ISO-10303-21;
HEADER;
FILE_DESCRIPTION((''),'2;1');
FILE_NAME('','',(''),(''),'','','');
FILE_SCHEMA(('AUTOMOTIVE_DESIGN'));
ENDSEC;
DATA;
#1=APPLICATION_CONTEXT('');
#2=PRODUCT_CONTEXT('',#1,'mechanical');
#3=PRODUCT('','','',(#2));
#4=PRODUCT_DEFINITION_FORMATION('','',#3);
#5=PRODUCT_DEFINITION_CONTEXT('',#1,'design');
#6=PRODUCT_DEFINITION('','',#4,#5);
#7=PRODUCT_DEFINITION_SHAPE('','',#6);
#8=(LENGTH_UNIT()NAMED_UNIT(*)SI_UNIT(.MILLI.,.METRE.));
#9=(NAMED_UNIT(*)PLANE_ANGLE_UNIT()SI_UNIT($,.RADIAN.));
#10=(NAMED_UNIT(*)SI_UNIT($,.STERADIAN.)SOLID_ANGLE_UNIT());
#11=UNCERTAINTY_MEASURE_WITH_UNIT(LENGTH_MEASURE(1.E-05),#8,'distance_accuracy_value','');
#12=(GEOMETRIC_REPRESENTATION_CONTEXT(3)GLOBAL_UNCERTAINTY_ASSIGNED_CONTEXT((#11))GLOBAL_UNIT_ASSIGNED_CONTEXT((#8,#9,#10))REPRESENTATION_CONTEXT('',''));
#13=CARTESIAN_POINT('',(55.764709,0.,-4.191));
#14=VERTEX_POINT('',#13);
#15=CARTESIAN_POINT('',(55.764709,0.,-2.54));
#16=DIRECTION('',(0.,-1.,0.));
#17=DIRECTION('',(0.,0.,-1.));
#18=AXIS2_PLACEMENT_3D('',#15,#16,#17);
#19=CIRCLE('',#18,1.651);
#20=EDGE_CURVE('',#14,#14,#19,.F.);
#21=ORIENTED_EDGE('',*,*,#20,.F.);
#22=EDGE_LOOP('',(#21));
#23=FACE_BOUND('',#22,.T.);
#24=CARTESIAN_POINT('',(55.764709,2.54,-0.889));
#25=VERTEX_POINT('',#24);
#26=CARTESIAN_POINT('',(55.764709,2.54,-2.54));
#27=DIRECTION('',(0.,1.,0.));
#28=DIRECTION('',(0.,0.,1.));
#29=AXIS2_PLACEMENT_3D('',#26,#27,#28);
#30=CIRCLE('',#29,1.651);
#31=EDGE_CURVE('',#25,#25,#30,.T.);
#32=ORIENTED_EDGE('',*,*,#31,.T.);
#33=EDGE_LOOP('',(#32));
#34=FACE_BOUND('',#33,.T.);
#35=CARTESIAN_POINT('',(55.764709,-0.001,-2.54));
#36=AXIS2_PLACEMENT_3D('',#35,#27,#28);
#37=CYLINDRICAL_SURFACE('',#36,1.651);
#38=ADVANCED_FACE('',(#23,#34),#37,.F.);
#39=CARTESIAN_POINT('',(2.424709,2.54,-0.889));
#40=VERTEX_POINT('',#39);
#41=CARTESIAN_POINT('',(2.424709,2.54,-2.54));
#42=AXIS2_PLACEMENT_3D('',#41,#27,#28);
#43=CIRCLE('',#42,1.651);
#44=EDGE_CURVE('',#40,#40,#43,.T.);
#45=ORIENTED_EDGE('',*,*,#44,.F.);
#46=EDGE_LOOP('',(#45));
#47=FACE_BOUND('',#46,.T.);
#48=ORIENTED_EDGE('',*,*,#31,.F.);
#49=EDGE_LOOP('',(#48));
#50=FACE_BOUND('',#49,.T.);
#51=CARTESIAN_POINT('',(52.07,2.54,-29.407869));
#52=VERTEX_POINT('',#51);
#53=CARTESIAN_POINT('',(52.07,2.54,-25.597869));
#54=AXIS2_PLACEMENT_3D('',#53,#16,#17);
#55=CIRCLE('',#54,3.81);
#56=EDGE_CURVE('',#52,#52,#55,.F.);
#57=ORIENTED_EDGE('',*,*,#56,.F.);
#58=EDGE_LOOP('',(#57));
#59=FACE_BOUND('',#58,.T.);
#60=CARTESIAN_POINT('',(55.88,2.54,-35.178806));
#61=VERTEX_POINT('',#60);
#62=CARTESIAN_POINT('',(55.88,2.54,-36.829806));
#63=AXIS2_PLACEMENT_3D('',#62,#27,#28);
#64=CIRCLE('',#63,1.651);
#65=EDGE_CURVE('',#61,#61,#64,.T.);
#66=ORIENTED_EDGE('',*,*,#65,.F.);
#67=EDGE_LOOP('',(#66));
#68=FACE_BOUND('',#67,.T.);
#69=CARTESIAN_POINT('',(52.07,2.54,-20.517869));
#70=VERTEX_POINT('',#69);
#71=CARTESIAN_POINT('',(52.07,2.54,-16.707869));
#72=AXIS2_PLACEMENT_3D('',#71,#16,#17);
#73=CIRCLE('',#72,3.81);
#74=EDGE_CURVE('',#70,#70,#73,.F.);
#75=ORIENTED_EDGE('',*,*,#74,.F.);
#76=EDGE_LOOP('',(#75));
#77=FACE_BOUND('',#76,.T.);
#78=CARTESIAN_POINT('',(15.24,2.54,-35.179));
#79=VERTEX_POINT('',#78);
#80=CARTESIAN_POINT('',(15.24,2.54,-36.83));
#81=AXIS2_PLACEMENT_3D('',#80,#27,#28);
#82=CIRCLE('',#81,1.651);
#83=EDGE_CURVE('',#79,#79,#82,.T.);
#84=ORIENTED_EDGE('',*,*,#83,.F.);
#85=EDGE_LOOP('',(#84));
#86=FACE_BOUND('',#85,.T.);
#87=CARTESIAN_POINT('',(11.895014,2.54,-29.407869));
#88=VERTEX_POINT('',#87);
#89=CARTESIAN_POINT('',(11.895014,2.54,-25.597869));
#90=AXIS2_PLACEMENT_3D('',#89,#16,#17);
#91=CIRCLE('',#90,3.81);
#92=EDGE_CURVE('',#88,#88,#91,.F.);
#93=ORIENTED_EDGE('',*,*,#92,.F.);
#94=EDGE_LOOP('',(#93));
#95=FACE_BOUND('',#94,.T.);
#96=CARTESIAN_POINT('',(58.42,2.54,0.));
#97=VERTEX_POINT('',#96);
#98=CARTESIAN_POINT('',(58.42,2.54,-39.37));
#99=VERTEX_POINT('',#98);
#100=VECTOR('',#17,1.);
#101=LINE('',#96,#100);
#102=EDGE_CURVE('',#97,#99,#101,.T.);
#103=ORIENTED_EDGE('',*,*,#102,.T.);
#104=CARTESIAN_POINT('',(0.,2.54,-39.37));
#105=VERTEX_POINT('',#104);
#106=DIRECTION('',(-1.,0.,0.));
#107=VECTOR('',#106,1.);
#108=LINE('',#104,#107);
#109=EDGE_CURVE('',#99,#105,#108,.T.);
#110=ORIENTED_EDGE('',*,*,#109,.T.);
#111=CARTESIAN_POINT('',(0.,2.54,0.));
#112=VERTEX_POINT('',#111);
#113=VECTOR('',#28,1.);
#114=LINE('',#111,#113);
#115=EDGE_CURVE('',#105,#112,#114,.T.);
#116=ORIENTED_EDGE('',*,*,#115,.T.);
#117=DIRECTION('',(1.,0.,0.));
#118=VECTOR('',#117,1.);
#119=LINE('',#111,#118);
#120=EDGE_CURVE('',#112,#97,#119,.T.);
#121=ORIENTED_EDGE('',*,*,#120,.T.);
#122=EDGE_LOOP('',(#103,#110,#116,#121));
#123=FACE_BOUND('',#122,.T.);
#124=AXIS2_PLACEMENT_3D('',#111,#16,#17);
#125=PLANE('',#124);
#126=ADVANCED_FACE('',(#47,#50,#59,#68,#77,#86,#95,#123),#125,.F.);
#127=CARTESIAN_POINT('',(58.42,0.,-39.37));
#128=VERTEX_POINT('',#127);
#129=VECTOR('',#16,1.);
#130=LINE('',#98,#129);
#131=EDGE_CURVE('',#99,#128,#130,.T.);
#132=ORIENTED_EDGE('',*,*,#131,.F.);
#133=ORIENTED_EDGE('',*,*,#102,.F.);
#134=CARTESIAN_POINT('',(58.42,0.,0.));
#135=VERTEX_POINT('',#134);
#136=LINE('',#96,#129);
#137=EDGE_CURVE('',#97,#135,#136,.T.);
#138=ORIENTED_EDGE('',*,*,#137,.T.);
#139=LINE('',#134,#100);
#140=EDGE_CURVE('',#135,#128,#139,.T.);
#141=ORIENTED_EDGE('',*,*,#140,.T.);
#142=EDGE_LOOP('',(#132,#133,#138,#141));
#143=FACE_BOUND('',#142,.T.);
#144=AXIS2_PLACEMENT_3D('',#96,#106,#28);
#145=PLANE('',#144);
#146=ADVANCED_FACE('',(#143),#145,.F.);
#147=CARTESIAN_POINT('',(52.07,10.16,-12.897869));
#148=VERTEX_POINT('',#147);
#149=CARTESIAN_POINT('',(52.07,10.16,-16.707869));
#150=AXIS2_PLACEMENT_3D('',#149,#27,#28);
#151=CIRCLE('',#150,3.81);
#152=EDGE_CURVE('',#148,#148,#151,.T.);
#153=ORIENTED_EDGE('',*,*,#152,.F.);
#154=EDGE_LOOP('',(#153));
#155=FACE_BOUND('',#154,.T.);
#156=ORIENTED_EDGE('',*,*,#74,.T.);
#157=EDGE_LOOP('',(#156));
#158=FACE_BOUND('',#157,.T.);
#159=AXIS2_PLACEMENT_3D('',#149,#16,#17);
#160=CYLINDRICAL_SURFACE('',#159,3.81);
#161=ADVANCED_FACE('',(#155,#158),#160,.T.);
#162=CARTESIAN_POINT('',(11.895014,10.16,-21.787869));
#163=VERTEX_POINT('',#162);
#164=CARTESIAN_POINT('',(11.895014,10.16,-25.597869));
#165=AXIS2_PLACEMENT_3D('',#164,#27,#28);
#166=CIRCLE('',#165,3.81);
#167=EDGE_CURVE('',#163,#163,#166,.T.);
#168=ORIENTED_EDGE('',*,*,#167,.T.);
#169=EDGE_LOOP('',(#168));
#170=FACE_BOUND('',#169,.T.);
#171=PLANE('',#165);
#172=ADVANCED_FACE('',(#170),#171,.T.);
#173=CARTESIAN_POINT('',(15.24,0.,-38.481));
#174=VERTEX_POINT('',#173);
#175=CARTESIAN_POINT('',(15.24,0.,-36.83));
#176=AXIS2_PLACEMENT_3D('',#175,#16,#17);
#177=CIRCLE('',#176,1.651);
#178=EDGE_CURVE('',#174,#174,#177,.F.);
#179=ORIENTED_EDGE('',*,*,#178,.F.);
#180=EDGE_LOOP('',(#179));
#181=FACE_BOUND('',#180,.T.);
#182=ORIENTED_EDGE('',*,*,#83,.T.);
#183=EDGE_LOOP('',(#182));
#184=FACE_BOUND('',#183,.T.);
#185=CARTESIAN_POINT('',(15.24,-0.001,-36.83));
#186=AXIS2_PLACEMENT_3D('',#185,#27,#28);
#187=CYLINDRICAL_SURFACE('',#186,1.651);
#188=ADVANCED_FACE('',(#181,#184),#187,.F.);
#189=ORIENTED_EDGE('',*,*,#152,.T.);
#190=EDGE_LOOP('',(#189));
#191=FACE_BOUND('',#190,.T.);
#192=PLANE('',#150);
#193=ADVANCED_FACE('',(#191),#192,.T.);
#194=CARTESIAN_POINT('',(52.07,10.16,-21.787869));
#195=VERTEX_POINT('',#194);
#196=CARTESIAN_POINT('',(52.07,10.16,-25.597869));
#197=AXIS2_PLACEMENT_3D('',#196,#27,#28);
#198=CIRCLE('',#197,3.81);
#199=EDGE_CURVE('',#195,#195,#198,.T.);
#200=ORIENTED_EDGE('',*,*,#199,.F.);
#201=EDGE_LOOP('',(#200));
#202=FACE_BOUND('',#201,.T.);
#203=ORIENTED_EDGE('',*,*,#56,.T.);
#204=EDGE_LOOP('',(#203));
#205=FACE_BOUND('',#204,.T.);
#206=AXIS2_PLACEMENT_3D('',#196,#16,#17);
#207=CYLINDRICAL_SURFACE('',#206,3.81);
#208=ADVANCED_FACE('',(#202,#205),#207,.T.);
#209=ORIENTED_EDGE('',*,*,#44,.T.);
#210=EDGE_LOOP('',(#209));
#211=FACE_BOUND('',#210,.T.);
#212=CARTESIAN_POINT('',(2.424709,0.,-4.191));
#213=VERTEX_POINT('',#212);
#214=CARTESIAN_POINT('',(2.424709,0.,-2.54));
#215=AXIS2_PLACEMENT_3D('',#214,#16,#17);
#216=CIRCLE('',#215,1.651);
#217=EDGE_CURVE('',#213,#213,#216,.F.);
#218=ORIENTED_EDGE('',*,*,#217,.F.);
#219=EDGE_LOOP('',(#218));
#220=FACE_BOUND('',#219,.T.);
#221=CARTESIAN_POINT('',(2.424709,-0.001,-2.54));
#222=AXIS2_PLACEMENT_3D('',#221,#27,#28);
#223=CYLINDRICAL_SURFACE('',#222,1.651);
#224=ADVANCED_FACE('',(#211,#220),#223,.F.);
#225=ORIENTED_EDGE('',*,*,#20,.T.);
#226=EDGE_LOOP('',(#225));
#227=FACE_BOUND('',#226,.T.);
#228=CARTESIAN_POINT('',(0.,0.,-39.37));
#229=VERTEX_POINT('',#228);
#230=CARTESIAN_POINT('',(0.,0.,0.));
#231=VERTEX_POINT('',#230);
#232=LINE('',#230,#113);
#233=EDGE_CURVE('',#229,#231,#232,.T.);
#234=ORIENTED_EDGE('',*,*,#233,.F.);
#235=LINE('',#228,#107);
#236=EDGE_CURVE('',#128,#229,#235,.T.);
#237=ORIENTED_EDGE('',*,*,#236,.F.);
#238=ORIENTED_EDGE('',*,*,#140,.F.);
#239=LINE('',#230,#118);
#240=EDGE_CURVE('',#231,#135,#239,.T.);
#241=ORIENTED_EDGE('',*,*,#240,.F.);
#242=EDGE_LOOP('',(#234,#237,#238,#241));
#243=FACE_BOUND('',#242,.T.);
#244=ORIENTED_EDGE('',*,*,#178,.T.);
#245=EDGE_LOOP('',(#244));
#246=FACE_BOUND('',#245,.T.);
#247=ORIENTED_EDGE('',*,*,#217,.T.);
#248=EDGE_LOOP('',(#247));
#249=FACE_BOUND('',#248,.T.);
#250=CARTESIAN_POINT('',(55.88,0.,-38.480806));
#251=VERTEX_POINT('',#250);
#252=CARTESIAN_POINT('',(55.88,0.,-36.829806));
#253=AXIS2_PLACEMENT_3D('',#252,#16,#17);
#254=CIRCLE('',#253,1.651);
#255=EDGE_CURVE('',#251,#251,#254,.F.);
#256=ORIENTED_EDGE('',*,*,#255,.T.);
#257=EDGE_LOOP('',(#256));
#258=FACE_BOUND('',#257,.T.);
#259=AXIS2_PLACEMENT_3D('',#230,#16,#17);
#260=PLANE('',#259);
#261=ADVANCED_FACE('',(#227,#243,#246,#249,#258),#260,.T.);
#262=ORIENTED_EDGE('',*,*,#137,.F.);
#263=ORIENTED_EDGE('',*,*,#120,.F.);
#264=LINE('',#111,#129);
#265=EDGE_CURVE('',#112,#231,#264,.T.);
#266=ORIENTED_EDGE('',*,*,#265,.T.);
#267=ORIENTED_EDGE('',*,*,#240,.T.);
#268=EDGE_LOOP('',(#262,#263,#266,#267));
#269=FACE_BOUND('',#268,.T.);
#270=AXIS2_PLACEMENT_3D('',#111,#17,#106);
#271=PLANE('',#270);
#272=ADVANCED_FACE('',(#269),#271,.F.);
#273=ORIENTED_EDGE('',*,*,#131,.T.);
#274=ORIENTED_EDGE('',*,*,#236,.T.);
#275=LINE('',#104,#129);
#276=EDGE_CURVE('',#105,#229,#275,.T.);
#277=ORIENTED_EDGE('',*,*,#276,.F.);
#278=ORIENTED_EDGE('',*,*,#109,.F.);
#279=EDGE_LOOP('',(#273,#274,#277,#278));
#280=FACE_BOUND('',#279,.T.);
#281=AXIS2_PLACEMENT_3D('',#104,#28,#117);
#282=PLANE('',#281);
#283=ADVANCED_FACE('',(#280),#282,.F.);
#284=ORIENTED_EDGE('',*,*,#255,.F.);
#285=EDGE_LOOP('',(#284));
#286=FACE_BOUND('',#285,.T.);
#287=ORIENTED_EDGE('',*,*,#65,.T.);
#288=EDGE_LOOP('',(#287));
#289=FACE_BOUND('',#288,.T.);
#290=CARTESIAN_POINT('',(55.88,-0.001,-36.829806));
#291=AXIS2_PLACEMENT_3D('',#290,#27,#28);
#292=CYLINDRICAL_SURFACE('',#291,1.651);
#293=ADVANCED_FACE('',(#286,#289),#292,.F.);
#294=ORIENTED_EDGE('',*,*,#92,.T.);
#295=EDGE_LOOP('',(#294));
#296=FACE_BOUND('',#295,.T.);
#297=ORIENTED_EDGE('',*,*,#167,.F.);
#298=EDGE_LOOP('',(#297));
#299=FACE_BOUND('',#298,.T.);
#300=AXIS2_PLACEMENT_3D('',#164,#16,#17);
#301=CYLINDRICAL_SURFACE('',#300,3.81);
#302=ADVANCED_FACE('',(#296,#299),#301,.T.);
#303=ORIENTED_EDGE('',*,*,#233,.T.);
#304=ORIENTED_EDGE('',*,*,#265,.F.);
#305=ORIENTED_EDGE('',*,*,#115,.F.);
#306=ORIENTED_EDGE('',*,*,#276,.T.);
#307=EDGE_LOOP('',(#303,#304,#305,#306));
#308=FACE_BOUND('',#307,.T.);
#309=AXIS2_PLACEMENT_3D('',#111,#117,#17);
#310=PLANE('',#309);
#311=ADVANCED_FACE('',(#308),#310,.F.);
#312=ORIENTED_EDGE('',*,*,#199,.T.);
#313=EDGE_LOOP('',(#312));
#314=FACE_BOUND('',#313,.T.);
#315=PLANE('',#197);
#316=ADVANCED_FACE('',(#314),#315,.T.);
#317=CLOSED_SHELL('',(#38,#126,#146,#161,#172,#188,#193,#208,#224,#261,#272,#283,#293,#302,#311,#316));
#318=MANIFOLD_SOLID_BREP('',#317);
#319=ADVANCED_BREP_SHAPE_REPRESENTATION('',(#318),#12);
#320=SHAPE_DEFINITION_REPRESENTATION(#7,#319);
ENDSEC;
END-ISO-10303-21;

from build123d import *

# Parameters (mm, degrees)
SKETCH1_W           = 58.42
SKETCH1_H           = 39.37
BOSS_EXTRUDE1_DEPTH = 2.54
CUT_EXTRUDE1_REACH  = 4.54
SKETCH2_R           = 1.651
SKETCH2_R_2         = 1.651000008
SKETCH3_R           = 3.81
BOSS_EXTRUDE2_DEPTH = 7.62


with BuildPart() as part:
    # Sketch1 → Boss-Extrude1 (new body)
    with BuildSketch(Plane(origin=(0, 0, 0), x_dir=(1, 0, 0), z_dir=(0, 1, 0))):
        with Locations((29.21, 19.685)):
            Rectangle(SKETCH1_W, SKETCH1_H)
    extrude(amount=BOSS_EXTRUDE1_DEPTH)

    # Sketch2 → Cut-Extrude1 (cut, up to next)
    with BuildSketch(Plane(origin=(0, 2.54, 0), x_dir=(1, 0, 0), z_dir=(0, 1, 0)), mode=Mode.PRIVATE) as cut_extrude1_sk1:
        with Locations((2.4247094, 2.54)):
            Circle(SKETCH2_R)
    cut_extrude1_tool1 = extrude(cut_extrude1_sk1.sketch, amount=-CUT_EXTRUDE1_REACH, mode=Mode.PRIVATE) & part.part
    add(cut_extrude1_tool1.solids().sort_by_distance((2.424709, 2.54, -2.54))[0], mode=Mode.SUBTRACT)
    # Sketch2 → Cut-Extrude1 (cut, up to next)
    with BuildSketch(Plane(origin=(0, 2.54, 0), x_dir=(1, 0, 0), z_dir=(0, 1, 0)), mode=Mode.PRIVATE) as cut_extrude1_sk2:
        with Locations((55.7647094, 2.54)):
            Circle(SKETCH2_R)
    cut_extrude1_tool2 = extrude(cut_extrude1_sk2.sketch, amount=-CUT_EXTRUDE1_REACH, mode=Mode.PRIVATE) & part.part
    add(cut_extrude1_tool2.solids().sort_by_distance((55.764709, 2.54, -2.54))[0], mode=Mode.SUBTRACT)
    # Sketch2 → Cut-Extrude1 (cut, up to next)
    with BuildSketch(Plane(origin=(0, 2.54, 0), x_dir=(1, 0, 0), z_dir=(0, 1, 0)), mode=Mode.PRIVATE) as cut_extrude1_sk3:
        with Locations((15.24, 36.83)):
            Circle(SKETCH2_R)
    cut_extrude1_tool3 = extrude(cut_extrude1_sk3.sketch, amount=-CUT_EXTRUDE1_REACH, mode=Mode.PRIVATE) & part.part
    add(cut_extrude1_tool3.solids().sort_by_distance((15.24, 2.54, -36.83))[0], mode=Mode.SUBTRACT)
    # Sketch2 → Cut-Extrude1 (cut, up to next)
    with BuildSketch(Plane(origin=(0, 2.54, 0), x_dir=(1, 0, 0), z_dir=(0, 1, 0)), mode=Mode.PRIVATE) as cut_extrude1_sk4:
        with Locations((55.88, 36.829806183)):
            Circle(SKETCH2_R_2)
    cut_extrude1_tool4 = extrude(cut_extrude1_sk4.sketch, amount=-CUT_EXTRUDE1_REACH, mode=Mode.PRIVATE) & part.part
    add(cut_extrude1_tool4.solids().sort_by_distance((55.88, 2.54, -36.829806))[0], mode=Mode.SUBTRACT)

    # Sketch3 → Boss-Extrude2 (add)
    with BuildSketch(Plane(origin=(0, 2.54, 0), x_dir=(1, 0, 0), z_dir=(0, 1, 0))):
        with Locations((52.07, 25.59786872)):
            Circle(SKETCH3_R)
        with Locations((52.07, 16.70786872)):
            Circle(SKETCH3_R)
        with Locations((11.895013778, 25.59786872)):
            Circle(SKETCH3_R)
    extrude(amount=BOSS_EXTRUDE2_DEPTH)


solid = part.part
